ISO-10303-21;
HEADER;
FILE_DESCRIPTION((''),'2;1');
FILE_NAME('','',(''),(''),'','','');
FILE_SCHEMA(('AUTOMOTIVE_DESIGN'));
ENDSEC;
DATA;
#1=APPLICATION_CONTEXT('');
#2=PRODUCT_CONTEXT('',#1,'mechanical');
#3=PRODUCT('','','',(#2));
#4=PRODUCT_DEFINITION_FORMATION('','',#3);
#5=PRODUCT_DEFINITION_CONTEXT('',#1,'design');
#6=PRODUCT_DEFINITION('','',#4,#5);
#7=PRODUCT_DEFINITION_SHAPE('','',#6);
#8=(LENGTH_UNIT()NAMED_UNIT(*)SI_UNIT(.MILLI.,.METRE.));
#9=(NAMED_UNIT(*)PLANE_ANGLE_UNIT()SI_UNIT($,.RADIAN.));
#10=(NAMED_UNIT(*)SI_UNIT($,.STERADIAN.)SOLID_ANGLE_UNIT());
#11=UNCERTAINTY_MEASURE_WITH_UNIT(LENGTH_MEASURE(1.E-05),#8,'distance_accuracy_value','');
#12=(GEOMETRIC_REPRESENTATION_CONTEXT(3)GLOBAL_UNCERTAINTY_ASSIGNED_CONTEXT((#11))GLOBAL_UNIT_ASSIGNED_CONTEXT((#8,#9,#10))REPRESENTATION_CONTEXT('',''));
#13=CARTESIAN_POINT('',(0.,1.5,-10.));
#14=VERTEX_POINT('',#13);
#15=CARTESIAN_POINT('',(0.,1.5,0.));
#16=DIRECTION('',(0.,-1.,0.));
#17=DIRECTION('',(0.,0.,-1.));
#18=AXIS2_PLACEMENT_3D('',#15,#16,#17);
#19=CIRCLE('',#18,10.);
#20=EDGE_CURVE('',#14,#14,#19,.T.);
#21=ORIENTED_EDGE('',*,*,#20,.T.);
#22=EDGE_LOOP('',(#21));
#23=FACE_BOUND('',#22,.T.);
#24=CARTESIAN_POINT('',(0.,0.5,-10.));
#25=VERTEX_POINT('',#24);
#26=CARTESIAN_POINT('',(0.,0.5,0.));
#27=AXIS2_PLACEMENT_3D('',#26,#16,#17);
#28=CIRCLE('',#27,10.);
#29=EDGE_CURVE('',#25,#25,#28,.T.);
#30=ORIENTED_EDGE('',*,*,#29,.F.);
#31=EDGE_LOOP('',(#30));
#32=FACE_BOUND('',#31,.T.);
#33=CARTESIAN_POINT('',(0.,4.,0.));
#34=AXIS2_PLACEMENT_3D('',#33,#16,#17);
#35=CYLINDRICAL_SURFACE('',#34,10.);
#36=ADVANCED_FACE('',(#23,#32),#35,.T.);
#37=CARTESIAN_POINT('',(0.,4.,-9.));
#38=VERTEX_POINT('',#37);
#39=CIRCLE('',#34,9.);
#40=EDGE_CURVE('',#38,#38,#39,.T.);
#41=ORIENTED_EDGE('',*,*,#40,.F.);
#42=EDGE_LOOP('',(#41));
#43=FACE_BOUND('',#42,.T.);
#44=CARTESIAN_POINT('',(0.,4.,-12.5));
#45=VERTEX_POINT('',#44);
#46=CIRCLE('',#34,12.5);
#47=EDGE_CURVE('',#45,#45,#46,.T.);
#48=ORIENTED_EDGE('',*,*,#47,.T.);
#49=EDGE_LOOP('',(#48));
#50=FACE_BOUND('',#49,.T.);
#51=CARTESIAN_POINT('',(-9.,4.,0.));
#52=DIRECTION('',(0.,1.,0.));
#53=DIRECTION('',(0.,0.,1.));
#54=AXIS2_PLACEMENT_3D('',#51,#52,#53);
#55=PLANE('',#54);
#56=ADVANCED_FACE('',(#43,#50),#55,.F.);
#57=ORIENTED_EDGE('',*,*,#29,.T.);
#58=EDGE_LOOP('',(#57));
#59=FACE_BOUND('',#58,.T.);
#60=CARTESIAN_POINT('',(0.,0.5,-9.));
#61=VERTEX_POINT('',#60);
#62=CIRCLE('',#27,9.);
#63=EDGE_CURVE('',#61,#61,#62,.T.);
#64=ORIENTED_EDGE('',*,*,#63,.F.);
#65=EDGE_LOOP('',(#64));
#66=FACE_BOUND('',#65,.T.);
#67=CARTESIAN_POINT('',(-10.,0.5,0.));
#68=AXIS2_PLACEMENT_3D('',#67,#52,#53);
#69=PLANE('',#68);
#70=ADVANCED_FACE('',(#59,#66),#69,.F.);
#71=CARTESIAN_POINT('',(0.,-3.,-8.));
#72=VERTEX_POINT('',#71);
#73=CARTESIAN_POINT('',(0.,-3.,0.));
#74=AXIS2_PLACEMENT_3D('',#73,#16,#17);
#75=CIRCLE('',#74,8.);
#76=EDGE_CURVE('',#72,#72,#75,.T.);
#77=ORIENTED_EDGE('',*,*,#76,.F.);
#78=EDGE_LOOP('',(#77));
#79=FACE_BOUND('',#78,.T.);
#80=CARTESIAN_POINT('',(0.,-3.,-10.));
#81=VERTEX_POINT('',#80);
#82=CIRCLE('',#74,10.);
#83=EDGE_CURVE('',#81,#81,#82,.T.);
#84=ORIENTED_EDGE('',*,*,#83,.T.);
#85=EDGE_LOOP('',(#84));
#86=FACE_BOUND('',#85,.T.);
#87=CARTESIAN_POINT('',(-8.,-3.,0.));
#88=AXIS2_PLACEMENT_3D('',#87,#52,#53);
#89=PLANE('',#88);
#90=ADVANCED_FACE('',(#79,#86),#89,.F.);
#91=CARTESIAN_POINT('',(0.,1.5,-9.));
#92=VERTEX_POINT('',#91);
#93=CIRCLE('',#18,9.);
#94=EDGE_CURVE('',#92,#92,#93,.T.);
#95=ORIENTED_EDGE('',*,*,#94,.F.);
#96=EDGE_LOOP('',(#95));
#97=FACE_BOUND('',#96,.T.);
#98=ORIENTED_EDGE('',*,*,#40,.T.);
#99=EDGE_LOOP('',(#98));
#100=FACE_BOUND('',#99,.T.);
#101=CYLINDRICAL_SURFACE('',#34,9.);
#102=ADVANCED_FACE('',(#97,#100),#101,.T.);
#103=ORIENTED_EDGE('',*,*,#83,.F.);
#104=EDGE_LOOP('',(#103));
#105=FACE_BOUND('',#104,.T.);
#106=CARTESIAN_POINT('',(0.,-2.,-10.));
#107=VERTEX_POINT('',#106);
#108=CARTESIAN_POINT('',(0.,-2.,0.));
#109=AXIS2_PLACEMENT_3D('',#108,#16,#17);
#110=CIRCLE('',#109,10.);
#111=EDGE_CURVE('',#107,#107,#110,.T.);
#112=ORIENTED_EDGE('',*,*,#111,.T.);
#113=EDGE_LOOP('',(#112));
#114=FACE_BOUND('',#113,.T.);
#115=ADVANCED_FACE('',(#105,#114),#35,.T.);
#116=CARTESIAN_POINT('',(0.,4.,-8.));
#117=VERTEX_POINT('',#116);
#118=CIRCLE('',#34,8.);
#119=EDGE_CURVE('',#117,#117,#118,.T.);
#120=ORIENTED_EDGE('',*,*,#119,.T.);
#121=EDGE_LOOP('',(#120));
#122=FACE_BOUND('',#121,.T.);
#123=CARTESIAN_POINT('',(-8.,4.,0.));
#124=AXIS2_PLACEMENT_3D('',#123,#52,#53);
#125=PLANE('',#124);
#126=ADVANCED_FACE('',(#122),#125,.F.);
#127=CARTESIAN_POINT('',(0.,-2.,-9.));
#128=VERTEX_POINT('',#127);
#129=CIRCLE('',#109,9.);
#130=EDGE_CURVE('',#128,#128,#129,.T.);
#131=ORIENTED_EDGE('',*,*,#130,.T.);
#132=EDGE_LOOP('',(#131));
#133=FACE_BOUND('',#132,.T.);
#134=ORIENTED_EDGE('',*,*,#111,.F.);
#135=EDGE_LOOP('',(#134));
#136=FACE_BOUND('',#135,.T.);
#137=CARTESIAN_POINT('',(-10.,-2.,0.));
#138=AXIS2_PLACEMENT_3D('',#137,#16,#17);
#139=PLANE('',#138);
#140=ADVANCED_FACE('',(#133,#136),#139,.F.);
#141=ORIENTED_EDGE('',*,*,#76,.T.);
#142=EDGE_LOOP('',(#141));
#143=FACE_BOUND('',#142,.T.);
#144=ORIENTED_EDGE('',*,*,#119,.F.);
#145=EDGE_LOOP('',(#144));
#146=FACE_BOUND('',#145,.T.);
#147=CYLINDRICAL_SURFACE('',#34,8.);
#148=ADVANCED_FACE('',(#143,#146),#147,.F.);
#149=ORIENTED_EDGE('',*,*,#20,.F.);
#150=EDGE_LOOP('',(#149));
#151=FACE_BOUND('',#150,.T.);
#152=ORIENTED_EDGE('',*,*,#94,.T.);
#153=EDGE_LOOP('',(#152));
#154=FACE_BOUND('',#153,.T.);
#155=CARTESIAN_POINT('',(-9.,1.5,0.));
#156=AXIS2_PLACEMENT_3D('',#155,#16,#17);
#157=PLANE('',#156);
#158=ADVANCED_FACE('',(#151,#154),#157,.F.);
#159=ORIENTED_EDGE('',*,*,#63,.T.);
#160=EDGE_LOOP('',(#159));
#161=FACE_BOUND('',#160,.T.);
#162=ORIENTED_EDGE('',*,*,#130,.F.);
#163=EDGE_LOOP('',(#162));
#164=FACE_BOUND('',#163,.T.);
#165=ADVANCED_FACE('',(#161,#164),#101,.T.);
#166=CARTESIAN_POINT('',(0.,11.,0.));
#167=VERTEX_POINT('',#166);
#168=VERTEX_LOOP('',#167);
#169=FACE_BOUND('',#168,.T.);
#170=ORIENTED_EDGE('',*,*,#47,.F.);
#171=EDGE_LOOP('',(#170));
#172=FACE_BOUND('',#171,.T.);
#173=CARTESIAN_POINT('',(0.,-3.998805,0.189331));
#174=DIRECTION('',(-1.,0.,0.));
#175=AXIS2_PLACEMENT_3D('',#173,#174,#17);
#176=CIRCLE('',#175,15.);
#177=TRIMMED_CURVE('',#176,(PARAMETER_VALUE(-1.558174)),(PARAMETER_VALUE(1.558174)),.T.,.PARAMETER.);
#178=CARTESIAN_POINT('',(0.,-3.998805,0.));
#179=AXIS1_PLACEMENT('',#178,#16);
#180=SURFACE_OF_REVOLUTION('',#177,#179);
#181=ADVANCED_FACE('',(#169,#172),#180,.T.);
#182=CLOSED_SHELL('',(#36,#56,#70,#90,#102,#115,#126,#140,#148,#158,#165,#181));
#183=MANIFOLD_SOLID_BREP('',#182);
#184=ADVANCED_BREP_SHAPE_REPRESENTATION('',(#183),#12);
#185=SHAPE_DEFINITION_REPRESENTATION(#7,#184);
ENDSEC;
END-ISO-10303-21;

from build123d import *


with BuildPart() as part:
    # Эскиз1 → Повернуть1 (revolve)
    with BuildSketch(Plane.XY, mode=Mode.PRIVATE) as revolve_1_sk:
        with BuildLine():
            Line((-8, 4), (-8, -3))
            Line((-8, -3), (-10, -3))
            Line((-10, -3), (-10, -2))
            Line((-10, -2), (-9, -2))
            Line((-9, -2), (-9, 0.5))
            Line((-9, 0.5), (-10, 0.5))
            Line((-10, 0.5), (-10, 1.5))
            Line((-10, 1.5), (-9, 1.5))
            Line((-9, 1.5), (-9, 4))
            Line((-9, 4), (-12.5, 4))
            ThreePointArc((-12.5, 4), (-7.139719689, 9.088785159), (0, 11))
            Line((0, 11), (0, 4))
            Line((0, 4), (-8, 4))
        make_face()
    revolve(revolve_1_sk.sketch.rotate(Axis((0, 4, 0), (0, 1, 0)), 270), axis=Axis((0, 4, 0), (0, 1, 0)))


solid = part.part
